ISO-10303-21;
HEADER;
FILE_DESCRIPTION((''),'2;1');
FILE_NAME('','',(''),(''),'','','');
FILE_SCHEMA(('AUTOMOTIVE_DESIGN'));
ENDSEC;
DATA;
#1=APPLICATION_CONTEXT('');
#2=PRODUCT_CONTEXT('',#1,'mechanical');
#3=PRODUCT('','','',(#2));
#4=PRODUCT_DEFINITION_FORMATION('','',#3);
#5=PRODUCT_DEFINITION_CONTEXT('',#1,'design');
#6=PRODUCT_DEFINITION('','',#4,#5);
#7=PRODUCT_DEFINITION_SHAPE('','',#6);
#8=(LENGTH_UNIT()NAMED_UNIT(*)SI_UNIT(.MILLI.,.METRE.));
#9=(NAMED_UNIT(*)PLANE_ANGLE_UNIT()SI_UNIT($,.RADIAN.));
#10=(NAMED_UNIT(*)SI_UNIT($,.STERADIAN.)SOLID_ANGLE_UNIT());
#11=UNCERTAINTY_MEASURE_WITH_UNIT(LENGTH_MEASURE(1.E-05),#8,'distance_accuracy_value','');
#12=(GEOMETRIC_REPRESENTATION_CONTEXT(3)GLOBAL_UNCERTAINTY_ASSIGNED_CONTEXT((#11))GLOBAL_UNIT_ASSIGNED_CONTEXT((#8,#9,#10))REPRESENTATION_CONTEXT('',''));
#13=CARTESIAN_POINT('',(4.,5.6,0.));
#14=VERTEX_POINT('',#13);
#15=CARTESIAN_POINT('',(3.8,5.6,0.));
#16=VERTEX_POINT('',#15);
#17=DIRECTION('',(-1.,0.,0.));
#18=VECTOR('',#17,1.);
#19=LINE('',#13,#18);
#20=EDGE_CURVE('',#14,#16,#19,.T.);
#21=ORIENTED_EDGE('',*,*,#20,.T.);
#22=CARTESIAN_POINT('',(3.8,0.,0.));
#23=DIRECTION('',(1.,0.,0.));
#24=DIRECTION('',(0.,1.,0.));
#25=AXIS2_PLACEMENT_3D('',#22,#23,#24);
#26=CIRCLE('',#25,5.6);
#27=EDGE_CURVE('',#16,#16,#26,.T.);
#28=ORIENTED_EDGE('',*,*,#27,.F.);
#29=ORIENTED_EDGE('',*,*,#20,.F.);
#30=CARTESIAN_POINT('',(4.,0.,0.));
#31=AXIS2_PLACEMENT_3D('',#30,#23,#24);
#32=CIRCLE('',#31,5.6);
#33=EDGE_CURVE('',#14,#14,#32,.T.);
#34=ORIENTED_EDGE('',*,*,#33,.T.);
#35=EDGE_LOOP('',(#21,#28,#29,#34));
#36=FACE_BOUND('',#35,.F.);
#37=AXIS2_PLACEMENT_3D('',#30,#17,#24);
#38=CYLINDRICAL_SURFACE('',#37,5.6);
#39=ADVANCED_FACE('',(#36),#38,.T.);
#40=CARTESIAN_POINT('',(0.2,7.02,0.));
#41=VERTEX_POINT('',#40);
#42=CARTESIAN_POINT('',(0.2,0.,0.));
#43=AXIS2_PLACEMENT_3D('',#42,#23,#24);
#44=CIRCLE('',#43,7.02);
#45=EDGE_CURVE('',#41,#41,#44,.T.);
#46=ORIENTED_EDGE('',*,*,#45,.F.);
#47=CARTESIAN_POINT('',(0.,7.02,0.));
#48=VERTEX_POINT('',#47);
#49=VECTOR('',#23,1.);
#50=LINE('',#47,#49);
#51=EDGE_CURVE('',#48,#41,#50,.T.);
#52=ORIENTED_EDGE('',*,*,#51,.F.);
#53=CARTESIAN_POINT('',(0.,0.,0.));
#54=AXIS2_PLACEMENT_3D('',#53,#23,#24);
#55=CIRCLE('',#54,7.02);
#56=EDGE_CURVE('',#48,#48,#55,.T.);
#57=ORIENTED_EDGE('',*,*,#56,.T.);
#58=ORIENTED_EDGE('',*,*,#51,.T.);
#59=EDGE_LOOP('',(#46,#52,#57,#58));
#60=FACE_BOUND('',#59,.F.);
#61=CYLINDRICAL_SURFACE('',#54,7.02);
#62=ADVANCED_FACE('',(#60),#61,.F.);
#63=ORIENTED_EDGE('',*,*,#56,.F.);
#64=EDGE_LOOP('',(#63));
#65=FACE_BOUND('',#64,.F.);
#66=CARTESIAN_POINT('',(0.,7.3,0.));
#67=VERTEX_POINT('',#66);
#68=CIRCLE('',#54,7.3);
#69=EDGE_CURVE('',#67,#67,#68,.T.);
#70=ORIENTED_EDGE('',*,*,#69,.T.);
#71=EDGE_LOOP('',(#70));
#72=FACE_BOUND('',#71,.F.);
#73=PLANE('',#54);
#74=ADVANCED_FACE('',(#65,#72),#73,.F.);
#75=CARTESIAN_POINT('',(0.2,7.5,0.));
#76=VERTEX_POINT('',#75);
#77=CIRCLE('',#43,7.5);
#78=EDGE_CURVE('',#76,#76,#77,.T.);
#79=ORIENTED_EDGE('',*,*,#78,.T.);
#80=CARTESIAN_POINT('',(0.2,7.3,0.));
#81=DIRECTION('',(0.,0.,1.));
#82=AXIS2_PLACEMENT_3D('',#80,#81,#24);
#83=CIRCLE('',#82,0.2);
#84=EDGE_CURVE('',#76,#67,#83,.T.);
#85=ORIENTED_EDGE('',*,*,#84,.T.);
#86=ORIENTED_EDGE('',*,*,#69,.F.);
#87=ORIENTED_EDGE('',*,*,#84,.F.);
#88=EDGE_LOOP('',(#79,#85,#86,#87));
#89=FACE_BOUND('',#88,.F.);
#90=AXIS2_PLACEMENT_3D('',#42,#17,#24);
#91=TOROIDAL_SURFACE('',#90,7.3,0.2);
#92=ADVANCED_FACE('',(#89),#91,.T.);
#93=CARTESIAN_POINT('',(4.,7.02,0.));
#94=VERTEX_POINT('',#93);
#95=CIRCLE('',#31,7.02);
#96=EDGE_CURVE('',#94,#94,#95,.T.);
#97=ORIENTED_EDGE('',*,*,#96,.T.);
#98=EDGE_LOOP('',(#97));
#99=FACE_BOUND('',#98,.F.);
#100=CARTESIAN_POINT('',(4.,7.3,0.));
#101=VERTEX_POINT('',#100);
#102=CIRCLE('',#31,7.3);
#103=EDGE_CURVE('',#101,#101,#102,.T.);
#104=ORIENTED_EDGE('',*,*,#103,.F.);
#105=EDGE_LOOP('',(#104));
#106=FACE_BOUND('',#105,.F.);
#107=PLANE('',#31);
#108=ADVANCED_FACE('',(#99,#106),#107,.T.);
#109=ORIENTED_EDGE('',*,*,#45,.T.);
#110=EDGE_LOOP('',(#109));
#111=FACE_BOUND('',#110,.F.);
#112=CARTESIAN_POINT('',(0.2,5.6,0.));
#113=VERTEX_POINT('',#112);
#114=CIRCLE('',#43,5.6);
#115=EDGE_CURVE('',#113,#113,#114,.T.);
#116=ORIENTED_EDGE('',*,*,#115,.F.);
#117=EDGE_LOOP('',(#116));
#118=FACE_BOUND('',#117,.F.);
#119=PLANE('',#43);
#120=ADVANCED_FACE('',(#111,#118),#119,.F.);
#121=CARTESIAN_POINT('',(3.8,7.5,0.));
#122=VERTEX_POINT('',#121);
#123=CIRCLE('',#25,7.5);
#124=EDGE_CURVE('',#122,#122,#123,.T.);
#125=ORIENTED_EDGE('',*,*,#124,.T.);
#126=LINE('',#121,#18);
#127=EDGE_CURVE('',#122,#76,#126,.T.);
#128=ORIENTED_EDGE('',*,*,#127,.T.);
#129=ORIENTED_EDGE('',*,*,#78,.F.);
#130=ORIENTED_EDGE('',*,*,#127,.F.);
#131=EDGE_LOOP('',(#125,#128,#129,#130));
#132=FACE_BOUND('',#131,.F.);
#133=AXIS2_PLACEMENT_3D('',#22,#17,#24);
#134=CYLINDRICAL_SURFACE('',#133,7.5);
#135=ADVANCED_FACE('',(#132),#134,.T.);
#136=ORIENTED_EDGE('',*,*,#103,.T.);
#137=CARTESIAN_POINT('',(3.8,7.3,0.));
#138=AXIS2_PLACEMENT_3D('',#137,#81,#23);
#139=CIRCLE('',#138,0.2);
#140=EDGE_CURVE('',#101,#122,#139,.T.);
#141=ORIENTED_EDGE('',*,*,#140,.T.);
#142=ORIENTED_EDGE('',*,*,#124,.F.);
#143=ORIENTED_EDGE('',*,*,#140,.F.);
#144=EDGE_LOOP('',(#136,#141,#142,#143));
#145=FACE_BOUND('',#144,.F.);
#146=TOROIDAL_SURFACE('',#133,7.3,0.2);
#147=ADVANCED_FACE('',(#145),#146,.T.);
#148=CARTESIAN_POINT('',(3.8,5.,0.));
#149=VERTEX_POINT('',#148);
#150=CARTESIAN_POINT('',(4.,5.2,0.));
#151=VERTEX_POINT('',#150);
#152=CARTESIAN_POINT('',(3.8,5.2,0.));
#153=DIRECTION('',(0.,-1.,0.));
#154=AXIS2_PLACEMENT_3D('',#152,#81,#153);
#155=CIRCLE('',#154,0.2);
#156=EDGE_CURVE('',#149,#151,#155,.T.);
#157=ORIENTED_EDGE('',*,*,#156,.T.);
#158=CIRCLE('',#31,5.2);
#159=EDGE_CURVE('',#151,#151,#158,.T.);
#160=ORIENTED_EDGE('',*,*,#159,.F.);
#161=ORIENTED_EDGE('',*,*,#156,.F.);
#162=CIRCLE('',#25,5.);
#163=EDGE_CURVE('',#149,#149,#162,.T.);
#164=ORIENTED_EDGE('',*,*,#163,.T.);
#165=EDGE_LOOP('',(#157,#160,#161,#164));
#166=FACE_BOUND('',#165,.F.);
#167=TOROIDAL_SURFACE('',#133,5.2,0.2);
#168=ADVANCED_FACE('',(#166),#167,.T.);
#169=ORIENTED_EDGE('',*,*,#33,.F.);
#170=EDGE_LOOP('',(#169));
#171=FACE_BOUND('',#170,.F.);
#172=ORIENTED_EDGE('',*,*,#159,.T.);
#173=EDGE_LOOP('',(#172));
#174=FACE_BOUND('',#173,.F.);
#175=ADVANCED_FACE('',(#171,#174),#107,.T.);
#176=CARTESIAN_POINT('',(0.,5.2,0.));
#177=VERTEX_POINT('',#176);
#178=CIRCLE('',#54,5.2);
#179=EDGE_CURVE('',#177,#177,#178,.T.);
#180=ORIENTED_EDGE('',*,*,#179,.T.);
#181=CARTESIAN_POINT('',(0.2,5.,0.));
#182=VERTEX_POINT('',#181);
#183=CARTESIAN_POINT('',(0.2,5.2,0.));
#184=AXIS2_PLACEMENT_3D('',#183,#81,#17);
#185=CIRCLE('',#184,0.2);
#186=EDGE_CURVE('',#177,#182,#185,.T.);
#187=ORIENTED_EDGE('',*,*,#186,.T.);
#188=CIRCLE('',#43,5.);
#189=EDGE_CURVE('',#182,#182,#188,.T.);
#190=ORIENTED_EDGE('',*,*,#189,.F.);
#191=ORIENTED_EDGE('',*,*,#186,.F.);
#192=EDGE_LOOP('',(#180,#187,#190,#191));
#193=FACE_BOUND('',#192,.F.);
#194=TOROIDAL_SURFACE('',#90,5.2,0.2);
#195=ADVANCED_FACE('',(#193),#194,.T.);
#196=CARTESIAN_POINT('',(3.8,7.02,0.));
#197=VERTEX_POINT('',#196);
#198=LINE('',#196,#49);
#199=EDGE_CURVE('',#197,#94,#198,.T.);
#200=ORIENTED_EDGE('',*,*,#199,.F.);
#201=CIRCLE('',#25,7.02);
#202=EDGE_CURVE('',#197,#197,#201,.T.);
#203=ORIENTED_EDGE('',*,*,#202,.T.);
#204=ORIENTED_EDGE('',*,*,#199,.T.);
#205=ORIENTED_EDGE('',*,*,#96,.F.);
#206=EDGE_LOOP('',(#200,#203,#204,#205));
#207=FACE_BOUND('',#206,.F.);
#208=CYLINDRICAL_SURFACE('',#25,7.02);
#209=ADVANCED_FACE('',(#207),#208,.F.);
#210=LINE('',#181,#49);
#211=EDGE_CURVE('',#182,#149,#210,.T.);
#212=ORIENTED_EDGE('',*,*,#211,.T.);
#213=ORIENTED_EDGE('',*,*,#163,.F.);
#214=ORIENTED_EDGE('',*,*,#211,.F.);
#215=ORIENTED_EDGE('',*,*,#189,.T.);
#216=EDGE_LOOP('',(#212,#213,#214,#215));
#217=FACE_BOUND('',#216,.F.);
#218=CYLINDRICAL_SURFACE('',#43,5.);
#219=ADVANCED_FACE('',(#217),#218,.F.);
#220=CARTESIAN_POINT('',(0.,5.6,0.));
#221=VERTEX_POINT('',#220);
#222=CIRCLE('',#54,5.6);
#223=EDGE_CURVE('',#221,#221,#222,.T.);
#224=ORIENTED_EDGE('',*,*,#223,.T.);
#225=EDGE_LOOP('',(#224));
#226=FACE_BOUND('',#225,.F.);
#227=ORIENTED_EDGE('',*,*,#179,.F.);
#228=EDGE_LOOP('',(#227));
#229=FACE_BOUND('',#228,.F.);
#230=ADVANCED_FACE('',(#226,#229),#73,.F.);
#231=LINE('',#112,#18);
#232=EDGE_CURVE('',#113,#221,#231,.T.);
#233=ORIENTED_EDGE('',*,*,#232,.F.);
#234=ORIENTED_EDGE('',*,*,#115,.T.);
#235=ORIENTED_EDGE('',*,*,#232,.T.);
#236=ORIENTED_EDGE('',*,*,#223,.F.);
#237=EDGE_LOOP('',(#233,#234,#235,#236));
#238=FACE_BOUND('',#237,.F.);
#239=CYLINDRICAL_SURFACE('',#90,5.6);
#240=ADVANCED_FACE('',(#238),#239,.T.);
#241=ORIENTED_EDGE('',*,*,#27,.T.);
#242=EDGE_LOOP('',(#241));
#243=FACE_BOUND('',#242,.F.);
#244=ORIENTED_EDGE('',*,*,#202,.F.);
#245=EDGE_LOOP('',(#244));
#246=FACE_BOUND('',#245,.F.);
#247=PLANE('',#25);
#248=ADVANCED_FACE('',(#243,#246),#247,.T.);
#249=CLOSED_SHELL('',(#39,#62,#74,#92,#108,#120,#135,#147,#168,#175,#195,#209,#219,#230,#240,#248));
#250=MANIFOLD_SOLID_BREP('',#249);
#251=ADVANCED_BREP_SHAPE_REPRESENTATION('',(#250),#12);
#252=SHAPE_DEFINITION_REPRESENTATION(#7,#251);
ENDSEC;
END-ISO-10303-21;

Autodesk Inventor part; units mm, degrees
sketch "Sketch_1" plane through (0, 0, 0) normal (0, 0, 1) x (1, 0, 0)
  line L0 (4, 0) -> (0, 0)
  arc A0 (0, 5.2) -> (0.2, 5) centre (0.2, 5.2) ccw
  line L1 (0.2, 5) -> (3.8, 5)
  arc A1 (3.8, 5) -> (4, 5.2) centre (3.8, 5.2) ccw
  line L2 (4, 5.2) -> (4, 5.6)
  line L3 (4, 5.6) -> (3.8, 5.6)
  line L4 (3.8, 5.6) -> (3.8, 7.02)
  line L5 (3.8, 7.02) -> (4, 7.02)
  line L6 (4, 7.02) -> (4, 7.3)
  arc A2 (4, 7.3) -> (3.8, 7.5) centre (3.8, 7.3) ccw
  line L7 (3.8, 7.5) -> (0.2, 7.5)
  arc A3 (0.2, 7.5) -> (0, 7.3) centre (0.2, 7.3) ccw
  line L8 (0, 7.3) -> (0, 7.02)
  line L9 (0, 7.02) -> (0.2, 7.02)
  line L10 (0.2, 7.02) -> (0.2, 5.6)
  line L11 (0.2, 5.6) -> (0, 5.6)
  line L12 (0, 5.6) -> (0, 5.2)
revolve "Revolution1" add sketch "Sketch_1" angle 360 about axis through (4, 0, 0) along (1, 0, 0)
ref_plane "center_point_XY" through (2, 0, 0) normal (1, 0, 0) x (0, 0, -1)
ref_plane "center_point_YZ" through (2, 0, 0) normal (0, 0, -1) x (0, 1, 0)
ref_plane "center_point_ZX" through (2, 0, 0) normal (0, 1, 0) x (1, 0, 0)
ref_plane "to_housing_XY" through (0, 0, 0) normal (1, 0, 0) x (0, 0, -1)
ref_plane "to_housing_YZ" through (0, 0, 0) normal (0, 0, -1) x (0, 1, 0)
ref_plane "to_housing_ZX" through (0, 0, 0) normal (0, 1, 0) x (1, 0, 0)
ref_plane "to_ring_XY" through (3.6, 0, 0) normal (1, 0, 0) x (0, 0, -1)
ref_plane "to_ring_YZ" through (3.6, 0, 0) normal (0, 0, -1) x (0, 1, 0)
ref_plane "to_ring_ZX" through (3.6, 0, 0) normal (0, 1, 0) x (1, 0, 0)
properties part number "B6700ZZ"
